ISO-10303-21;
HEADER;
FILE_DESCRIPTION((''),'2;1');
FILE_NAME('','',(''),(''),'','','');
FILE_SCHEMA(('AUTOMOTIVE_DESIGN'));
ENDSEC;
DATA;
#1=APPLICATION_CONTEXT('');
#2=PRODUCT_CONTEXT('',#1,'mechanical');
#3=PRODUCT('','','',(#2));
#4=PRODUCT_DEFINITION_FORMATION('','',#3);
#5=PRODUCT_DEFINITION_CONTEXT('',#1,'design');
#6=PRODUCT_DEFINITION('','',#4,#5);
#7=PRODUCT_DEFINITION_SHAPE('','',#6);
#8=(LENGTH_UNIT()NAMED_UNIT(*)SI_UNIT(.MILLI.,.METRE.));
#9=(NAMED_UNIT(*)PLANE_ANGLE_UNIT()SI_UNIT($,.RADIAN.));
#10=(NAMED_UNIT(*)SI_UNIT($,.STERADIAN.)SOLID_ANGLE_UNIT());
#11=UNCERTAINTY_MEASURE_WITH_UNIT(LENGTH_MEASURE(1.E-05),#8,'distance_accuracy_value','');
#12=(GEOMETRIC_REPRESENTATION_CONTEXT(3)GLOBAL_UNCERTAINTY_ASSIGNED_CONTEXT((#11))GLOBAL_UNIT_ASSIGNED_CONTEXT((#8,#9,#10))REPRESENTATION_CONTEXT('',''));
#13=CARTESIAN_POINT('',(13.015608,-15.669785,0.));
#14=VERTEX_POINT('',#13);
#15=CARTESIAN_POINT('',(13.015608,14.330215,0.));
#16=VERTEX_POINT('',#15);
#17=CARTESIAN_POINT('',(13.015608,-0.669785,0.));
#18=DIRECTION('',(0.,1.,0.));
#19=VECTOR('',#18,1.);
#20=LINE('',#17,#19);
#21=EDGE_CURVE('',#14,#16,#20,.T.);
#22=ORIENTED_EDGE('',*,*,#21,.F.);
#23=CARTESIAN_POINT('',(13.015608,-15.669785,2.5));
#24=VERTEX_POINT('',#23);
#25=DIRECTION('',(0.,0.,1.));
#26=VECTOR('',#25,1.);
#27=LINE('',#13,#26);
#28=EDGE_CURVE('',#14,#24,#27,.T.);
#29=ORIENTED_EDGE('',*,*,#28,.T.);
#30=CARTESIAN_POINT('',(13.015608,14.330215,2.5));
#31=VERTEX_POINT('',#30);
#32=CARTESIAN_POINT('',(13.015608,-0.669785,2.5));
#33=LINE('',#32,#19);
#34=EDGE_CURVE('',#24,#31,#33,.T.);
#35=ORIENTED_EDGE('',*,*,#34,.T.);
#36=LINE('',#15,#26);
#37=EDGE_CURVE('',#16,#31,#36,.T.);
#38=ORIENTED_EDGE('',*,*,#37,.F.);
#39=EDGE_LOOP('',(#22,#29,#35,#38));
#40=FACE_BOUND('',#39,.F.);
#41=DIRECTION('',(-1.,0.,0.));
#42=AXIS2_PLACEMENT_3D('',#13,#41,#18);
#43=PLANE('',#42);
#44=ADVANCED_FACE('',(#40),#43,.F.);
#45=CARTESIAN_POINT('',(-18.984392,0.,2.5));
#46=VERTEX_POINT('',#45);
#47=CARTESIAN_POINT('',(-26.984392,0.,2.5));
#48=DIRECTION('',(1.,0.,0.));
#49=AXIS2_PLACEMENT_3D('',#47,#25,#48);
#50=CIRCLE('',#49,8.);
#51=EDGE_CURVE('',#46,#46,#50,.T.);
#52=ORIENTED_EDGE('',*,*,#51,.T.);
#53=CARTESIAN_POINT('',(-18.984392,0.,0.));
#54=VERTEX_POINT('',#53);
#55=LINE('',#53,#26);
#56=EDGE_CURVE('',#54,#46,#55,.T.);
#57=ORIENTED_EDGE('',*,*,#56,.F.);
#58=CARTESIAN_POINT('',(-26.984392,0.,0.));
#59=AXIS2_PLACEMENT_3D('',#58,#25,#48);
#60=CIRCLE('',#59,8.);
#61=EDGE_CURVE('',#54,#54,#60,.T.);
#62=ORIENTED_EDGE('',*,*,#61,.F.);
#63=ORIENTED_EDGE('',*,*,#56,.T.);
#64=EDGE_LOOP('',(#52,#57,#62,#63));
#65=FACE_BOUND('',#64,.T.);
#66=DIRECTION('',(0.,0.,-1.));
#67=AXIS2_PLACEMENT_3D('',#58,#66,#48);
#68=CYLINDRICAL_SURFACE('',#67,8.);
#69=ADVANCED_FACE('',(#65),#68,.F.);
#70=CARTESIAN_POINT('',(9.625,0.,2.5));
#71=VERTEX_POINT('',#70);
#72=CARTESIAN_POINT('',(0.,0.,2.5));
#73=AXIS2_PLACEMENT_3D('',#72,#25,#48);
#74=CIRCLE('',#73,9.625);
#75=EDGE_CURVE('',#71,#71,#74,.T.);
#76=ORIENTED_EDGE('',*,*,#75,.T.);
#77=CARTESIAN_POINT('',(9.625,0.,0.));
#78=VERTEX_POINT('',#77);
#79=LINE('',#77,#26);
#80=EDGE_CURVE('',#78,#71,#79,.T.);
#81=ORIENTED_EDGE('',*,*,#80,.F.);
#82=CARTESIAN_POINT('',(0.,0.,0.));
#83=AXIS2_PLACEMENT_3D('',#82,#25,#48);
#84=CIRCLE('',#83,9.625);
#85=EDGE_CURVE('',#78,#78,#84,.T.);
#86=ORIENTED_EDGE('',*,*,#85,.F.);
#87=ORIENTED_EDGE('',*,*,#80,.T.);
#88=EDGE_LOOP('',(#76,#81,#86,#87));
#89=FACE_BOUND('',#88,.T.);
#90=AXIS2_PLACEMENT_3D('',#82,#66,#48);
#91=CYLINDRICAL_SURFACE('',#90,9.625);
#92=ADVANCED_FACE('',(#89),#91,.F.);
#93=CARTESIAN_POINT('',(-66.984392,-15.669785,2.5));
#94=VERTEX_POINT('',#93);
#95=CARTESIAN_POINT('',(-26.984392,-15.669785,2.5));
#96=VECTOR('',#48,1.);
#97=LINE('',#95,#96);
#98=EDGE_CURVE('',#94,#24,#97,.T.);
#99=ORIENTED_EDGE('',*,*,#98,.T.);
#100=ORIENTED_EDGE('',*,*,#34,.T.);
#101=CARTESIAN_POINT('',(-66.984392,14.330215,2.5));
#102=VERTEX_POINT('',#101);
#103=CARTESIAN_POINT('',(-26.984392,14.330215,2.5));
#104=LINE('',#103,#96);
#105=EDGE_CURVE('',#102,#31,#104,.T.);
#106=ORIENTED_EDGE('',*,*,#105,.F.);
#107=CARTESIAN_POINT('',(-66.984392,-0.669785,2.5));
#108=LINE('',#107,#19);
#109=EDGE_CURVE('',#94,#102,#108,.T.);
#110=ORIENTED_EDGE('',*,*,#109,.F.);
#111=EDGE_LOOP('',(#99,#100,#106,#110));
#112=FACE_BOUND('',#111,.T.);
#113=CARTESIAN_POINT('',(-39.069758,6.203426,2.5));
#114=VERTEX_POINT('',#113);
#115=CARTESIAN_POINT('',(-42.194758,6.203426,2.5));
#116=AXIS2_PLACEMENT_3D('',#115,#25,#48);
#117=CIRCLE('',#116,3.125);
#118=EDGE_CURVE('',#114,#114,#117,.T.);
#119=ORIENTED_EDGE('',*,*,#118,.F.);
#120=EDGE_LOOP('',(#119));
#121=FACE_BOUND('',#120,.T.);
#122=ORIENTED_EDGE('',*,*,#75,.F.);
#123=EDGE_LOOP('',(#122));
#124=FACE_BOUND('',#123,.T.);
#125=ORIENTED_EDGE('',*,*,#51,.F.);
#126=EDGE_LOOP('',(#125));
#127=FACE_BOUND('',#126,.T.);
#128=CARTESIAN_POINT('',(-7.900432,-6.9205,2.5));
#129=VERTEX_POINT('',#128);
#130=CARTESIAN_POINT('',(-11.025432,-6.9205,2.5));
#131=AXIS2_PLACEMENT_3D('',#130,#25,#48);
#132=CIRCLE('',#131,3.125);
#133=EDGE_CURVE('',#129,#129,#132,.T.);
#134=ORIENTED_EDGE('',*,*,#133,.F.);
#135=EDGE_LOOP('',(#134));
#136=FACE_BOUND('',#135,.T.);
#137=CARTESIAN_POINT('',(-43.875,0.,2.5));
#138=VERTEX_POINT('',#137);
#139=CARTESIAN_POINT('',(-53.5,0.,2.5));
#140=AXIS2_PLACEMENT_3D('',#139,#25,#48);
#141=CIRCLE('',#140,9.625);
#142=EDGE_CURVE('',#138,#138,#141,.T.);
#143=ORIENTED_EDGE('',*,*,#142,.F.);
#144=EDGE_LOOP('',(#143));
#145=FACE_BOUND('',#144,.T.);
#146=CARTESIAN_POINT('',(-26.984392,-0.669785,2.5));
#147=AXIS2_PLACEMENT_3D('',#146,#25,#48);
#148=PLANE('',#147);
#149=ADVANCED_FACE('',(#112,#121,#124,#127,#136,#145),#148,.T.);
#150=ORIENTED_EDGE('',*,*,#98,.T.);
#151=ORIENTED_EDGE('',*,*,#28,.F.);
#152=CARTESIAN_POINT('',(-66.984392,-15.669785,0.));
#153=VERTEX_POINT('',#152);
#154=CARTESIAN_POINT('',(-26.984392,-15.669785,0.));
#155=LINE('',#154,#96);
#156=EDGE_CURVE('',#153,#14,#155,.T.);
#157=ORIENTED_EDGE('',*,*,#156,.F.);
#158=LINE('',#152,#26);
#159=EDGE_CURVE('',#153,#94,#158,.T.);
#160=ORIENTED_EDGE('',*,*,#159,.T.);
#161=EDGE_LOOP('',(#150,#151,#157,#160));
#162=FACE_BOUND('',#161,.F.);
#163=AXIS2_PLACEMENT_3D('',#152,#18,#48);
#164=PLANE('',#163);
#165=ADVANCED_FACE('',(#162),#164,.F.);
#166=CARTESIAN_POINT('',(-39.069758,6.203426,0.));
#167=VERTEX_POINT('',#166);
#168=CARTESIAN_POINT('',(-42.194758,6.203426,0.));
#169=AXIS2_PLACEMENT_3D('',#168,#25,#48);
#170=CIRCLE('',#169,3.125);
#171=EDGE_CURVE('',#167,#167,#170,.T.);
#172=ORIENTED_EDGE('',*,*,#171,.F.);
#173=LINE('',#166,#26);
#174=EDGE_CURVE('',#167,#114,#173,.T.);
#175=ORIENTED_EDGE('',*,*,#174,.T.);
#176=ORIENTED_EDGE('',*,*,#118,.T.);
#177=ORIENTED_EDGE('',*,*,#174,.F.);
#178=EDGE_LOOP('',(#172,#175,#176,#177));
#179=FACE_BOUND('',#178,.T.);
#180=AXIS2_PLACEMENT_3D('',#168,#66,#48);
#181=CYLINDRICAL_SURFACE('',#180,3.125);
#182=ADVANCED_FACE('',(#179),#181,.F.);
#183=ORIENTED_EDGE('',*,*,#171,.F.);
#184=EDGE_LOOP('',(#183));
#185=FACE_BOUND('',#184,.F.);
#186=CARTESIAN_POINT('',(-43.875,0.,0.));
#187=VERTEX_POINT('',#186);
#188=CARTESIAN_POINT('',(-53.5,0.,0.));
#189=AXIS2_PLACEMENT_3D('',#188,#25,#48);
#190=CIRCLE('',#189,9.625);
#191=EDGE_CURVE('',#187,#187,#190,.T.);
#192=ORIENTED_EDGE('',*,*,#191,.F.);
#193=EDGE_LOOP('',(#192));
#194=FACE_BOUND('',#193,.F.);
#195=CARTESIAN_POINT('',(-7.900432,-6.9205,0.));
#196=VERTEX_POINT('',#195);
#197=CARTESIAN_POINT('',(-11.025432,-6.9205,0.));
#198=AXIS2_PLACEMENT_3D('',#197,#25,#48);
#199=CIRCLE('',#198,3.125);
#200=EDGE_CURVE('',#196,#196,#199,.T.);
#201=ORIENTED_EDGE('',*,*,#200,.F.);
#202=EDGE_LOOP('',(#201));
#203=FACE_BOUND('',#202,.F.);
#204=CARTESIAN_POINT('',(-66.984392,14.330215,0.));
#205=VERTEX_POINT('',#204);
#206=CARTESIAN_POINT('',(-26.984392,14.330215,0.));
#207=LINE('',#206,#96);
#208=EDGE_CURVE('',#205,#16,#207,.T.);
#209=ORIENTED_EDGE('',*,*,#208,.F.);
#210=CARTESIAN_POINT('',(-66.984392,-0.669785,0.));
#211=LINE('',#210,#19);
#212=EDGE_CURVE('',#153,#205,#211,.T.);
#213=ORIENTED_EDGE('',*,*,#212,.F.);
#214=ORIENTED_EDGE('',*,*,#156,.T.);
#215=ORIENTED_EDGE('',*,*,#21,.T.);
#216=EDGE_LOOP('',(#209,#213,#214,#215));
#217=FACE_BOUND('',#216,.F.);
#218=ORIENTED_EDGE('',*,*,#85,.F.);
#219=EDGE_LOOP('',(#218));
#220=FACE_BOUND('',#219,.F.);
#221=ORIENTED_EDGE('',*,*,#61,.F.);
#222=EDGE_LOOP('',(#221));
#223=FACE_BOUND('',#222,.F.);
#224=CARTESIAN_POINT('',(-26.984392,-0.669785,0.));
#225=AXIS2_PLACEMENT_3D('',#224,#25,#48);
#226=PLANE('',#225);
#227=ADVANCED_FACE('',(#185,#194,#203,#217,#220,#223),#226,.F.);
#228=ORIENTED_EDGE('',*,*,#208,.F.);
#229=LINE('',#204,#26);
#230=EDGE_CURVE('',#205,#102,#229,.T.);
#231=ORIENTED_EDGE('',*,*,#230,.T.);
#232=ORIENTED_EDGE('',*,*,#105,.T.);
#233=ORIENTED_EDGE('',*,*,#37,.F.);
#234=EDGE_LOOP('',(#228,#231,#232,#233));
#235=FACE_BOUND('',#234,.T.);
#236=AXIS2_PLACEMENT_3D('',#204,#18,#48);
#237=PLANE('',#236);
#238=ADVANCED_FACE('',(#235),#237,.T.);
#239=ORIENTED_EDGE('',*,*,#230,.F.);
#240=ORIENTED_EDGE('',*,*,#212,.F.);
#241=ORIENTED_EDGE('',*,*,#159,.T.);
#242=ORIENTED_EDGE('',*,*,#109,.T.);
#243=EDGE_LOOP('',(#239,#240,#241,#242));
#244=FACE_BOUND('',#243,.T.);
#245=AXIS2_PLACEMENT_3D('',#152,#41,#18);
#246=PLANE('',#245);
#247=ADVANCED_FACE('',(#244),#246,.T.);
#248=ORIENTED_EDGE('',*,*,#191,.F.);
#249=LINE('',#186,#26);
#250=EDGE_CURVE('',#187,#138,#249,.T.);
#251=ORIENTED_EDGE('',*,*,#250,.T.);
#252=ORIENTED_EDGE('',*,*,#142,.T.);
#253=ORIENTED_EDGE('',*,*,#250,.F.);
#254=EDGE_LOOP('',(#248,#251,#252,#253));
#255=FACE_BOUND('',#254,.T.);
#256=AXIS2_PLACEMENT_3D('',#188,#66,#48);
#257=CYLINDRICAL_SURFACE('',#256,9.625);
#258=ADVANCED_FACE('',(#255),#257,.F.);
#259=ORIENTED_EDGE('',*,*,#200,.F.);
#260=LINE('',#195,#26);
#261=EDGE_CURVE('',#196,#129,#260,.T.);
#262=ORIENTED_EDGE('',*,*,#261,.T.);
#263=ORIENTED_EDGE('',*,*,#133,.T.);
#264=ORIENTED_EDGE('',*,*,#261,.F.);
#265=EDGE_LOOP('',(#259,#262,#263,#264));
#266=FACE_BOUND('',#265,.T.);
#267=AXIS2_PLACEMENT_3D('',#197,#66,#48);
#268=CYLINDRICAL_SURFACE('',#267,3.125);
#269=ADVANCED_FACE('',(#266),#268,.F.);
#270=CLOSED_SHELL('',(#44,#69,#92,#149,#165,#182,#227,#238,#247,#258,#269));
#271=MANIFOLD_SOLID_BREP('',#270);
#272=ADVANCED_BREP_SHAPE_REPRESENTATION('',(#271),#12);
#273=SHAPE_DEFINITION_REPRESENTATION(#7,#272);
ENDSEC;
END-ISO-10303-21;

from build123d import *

# Parameters (mm, degrees)
F0_W     = 80
F0_H     = 30
F0_R     = 3.125
F0_R_2   = 9.625
F0_R_3   = 8
F1_DEPTH = 2.5


with BuildPart() as f1:
    # F0 (on Top) → F1 (new body)
    with BuildSketch(Plane.XY):
        with Locations((-26.984392, -0.669785)):
            Rectangle(F0_W, F0_H)
        with Locations((-11.025432, -6.9205)):
            Circle(F0_R, mode=Mode.SUBTRACT)
        with Locations((-53.5, 0)):
            Circle(F0_R_2, mode=Mode.SUBTRACT)
        with Locations((-42.194758, 6.203426)):
            Circle(F0_R, mode=Mode.SUBTRACT)
        with Locations((-26.984392, 0)):
            Circle(F0_R_3, mode=Mode.SUBTRACT)
        Circle(F0_R_2, mode=Mode.SUBTRACT)
    extrude(amount=F1_DEPTH)


solid = f1.part
